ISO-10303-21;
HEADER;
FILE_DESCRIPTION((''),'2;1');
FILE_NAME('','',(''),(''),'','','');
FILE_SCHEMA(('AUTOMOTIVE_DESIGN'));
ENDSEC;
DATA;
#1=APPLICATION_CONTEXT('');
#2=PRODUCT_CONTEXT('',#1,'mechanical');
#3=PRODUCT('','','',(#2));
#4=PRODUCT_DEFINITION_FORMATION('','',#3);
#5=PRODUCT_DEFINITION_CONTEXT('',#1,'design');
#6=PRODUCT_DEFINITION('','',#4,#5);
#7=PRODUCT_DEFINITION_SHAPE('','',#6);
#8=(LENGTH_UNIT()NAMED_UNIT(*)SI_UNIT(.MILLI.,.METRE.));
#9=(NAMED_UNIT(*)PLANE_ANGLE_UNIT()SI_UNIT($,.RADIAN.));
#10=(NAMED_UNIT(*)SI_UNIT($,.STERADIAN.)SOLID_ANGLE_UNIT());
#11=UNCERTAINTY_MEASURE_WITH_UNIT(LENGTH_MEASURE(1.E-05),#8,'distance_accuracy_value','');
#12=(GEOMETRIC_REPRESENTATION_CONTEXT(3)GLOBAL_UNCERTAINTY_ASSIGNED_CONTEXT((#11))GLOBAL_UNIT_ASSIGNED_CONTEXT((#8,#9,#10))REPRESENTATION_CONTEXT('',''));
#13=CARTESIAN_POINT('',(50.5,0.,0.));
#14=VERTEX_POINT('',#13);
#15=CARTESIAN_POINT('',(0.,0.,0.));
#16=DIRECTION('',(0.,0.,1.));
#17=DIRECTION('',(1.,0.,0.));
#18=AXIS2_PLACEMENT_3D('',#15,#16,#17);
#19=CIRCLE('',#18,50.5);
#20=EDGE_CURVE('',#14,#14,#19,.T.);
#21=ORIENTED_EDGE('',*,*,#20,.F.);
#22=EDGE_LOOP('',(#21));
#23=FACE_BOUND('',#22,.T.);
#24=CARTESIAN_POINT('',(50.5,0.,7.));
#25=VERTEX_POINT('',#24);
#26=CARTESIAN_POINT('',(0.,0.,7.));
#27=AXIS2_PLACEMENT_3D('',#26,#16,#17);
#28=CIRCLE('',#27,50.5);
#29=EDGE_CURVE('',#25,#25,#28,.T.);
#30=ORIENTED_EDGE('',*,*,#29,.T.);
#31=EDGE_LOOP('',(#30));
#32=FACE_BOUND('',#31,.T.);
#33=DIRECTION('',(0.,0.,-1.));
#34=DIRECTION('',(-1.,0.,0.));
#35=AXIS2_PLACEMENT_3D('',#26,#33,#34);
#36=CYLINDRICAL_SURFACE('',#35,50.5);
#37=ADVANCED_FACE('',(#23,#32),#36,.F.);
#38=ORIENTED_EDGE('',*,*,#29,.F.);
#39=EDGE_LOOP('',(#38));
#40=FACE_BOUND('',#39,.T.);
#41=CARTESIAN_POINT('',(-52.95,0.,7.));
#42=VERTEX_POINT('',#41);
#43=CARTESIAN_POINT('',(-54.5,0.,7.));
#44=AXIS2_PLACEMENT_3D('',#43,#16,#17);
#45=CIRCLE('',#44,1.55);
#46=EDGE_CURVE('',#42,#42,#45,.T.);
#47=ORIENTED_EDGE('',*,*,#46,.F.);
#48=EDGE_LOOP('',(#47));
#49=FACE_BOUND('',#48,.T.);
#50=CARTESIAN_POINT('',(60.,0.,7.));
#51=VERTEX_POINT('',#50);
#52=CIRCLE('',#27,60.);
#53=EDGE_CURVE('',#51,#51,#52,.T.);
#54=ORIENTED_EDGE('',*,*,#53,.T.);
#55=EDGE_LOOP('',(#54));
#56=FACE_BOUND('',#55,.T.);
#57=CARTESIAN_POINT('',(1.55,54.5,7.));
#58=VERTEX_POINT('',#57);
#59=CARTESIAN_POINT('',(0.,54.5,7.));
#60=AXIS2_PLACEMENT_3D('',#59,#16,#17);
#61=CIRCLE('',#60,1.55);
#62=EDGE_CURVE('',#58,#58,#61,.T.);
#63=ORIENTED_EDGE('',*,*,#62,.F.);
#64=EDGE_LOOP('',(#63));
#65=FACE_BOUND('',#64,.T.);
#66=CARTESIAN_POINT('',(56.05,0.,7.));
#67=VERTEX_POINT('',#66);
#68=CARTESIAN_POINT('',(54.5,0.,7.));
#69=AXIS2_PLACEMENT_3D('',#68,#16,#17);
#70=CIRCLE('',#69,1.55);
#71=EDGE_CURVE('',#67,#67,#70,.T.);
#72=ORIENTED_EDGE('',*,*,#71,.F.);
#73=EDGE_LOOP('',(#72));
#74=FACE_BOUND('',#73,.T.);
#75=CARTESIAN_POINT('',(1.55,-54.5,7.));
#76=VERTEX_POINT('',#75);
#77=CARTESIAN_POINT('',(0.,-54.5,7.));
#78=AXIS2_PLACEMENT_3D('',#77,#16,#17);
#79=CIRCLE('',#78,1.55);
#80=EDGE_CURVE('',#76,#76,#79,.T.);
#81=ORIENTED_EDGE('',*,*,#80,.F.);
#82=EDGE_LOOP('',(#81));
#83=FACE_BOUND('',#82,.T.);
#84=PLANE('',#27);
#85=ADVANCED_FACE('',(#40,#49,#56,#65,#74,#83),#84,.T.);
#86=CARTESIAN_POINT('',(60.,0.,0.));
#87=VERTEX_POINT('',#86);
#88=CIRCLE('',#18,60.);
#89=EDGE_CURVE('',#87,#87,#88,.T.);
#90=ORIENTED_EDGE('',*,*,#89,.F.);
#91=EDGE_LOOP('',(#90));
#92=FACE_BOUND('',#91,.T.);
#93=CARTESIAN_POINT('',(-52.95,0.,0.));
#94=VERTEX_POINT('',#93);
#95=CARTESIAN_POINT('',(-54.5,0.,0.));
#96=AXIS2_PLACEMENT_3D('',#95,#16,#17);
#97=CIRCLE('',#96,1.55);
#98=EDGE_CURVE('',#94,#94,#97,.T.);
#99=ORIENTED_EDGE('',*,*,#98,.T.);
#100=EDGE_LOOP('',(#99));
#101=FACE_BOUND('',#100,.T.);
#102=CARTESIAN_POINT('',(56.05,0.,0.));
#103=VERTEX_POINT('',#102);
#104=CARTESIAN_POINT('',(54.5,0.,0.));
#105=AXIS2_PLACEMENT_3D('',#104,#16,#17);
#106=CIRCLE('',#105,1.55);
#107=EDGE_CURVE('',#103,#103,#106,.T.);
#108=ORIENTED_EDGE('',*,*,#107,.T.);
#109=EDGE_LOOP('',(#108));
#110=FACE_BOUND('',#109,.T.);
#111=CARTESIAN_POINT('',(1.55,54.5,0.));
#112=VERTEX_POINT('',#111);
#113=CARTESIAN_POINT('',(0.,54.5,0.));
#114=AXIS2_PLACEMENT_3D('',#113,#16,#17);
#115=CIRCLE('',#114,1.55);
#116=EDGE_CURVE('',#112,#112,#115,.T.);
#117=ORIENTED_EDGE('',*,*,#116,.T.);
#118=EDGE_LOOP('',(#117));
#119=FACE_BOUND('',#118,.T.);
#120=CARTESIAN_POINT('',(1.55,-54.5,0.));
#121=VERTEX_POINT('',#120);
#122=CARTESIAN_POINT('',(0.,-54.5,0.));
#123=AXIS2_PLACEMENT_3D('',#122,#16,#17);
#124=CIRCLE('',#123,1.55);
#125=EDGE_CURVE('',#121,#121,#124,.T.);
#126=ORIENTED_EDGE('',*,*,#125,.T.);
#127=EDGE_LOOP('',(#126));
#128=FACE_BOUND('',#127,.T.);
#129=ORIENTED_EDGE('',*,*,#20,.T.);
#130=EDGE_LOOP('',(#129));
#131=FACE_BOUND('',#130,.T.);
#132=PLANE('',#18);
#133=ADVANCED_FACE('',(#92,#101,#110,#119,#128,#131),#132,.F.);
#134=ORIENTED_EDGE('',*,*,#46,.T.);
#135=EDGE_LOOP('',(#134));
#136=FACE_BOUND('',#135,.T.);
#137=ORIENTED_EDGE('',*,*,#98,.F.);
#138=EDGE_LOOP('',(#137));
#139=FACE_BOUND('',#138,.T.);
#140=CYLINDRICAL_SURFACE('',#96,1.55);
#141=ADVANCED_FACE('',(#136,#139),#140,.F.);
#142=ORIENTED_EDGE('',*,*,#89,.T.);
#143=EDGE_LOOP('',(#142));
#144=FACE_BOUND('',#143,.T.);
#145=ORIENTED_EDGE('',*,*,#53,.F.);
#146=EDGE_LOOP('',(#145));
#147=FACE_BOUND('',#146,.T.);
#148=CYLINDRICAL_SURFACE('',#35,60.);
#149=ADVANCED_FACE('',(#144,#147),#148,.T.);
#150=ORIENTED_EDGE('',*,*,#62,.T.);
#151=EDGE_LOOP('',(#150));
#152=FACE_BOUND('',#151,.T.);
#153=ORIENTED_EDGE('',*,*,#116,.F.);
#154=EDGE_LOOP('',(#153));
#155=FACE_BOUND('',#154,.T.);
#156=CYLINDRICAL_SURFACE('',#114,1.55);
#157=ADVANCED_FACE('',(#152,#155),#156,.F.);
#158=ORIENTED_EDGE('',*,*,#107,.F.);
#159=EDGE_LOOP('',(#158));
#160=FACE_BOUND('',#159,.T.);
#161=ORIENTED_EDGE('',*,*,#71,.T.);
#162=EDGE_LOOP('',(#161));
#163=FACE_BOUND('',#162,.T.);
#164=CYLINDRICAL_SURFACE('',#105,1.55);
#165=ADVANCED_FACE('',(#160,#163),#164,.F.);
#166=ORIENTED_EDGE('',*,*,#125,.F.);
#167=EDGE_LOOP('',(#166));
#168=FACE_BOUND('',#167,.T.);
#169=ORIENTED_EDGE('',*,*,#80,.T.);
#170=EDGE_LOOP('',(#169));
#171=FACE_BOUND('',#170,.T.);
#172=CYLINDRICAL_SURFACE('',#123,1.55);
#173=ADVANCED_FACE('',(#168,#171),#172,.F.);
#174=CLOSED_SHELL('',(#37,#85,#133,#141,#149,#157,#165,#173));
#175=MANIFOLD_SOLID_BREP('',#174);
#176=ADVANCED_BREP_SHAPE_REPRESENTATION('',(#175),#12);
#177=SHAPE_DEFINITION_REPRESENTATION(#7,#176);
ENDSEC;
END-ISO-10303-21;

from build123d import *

# Parameters (mm, degrees)
SKETCH_1_R          = 60
SKETCH_1_R_2        = 50.5
EXTRUDE_1_DEPTH     = 7
SKETCH_2_R          = 1.55
CUT_EXTRUDE_1_DEPTH = 7


with BuildPart() as part:
    # 草图1 → 凸台-拉伸1 (new body)
    with BuildSketch(Plane.XY):
        Circle(SKETCH_1_R)
        Circle(SKETCH_1_R_2, mode=Mode.SUBTRACT)
    extrude(amount=EXTRUDE_1_DEPTH)

    # 草图2 → 切除-拉伸1 (cut)
    with BuildSketch(Plane.XY.offset(7)):
        with Locations((-54.5, 0)):
            Circle(SKETCH_2_R)
        with Locations((0, 54.5)):
            Circle(SKETCH_2_R)
        with Locations((54.5, 0)):
            Circle(SKETCH_2_R)
        with Locations((0, -54.5)):
            Circle(SKETCH_2_R)
    extrude(amount=-CUT_EXTRUDE_1_DEPTH, mode=Mode.SUBTRACT)


solid = part.part
